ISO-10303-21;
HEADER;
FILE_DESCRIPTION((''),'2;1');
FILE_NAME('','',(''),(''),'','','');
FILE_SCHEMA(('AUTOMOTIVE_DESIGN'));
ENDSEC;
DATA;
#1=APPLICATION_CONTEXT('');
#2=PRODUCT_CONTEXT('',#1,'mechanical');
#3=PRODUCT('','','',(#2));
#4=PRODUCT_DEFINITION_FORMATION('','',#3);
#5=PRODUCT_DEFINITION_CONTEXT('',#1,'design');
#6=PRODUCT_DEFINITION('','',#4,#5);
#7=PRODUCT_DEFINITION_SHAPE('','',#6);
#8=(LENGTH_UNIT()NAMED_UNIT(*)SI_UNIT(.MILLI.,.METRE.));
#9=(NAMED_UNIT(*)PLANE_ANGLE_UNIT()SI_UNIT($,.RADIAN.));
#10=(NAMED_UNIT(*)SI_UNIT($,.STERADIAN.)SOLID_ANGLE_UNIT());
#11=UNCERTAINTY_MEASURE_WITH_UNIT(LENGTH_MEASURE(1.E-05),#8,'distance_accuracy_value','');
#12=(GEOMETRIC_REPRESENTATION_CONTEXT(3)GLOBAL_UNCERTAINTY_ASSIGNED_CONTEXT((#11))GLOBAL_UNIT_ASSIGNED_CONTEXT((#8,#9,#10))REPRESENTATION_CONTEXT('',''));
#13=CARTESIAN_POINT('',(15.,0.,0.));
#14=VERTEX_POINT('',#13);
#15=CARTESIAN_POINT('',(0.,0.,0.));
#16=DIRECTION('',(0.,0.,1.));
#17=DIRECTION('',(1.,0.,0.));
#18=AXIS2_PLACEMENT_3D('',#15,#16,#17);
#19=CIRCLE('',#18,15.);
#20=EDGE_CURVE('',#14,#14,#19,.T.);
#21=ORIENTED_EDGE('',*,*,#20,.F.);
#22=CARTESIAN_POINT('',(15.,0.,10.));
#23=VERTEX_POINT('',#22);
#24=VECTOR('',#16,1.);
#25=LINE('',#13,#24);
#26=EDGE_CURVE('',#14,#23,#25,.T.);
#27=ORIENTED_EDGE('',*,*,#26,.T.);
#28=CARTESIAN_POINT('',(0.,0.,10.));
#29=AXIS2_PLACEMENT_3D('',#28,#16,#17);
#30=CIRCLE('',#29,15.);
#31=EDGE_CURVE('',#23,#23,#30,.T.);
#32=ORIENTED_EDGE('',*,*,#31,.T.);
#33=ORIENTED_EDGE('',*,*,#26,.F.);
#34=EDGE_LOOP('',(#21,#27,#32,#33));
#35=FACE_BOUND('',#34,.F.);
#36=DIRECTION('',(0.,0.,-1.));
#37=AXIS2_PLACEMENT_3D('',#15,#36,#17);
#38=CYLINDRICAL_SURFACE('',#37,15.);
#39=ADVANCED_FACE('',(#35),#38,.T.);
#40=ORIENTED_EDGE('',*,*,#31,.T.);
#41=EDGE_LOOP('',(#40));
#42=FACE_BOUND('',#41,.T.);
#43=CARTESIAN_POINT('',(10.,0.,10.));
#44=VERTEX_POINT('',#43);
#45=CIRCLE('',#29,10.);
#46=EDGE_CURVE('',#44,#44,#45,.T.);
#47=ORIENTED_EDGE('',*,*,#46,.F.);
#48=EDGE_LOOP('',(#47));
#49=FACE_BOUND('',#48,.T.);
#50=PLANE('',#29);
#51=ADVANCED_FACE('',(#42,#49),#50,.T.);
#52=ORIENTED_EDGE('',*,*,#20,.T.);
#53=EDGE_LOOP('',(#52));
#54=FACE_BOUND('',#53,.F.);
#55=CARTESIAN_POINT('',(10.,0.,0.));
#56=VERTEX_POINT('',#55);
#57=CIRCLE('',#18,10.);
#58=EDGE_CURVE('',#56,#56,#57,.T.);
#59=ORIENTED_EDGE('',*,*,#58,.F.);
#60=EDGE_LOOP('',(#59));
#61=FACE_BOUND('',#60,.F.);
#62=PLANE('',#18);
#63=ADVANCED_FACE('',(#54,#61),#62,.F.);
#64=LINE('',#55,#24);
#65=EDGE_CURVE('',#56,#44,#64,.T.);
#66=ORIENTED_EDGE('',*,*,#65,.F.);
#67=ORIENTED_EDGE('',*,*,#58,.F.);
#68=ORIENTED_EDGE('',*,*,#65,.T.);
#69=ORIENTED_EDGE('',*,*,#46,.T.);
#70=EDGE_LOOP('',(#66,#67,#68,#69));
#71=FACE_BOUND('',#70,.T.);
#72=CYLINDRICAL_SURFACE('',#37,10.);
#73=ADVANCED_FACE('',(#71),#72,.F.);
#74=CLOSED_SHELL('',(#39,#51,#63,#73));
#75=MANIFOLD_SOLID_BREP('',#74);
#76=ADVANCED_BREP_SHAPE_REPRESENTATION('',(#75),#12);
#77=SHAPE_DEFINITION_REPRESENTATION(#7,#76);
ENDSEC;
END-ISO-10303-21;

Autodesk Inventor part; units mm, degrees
ref_plane "YZ Plane" through (0, 0, 0) normal (1, 0, 0) x (0, 1, 0)
ref_plane "XZ Plane" through (0, 0, 0) normal (0, 1, 0) x (-1, 0, 0)
ref_plane "XY Plane" through (0, 0, 0) normal (0, 0, 1) x (1, 0, 0)
sketch "Skizze1" plane through (0, 0, 0) normal (0, 0, 1) x (1, 0, 0)
  circle A0 centre (0, 0) radius 10
  circle A1 centre (0, 0) radius 15
  dimension "d0" = 20
  dimension "d1" = 30
extrude "Extrusion1" add sketch "Skizze1" along normal blind 10
properties part number "pipe"
